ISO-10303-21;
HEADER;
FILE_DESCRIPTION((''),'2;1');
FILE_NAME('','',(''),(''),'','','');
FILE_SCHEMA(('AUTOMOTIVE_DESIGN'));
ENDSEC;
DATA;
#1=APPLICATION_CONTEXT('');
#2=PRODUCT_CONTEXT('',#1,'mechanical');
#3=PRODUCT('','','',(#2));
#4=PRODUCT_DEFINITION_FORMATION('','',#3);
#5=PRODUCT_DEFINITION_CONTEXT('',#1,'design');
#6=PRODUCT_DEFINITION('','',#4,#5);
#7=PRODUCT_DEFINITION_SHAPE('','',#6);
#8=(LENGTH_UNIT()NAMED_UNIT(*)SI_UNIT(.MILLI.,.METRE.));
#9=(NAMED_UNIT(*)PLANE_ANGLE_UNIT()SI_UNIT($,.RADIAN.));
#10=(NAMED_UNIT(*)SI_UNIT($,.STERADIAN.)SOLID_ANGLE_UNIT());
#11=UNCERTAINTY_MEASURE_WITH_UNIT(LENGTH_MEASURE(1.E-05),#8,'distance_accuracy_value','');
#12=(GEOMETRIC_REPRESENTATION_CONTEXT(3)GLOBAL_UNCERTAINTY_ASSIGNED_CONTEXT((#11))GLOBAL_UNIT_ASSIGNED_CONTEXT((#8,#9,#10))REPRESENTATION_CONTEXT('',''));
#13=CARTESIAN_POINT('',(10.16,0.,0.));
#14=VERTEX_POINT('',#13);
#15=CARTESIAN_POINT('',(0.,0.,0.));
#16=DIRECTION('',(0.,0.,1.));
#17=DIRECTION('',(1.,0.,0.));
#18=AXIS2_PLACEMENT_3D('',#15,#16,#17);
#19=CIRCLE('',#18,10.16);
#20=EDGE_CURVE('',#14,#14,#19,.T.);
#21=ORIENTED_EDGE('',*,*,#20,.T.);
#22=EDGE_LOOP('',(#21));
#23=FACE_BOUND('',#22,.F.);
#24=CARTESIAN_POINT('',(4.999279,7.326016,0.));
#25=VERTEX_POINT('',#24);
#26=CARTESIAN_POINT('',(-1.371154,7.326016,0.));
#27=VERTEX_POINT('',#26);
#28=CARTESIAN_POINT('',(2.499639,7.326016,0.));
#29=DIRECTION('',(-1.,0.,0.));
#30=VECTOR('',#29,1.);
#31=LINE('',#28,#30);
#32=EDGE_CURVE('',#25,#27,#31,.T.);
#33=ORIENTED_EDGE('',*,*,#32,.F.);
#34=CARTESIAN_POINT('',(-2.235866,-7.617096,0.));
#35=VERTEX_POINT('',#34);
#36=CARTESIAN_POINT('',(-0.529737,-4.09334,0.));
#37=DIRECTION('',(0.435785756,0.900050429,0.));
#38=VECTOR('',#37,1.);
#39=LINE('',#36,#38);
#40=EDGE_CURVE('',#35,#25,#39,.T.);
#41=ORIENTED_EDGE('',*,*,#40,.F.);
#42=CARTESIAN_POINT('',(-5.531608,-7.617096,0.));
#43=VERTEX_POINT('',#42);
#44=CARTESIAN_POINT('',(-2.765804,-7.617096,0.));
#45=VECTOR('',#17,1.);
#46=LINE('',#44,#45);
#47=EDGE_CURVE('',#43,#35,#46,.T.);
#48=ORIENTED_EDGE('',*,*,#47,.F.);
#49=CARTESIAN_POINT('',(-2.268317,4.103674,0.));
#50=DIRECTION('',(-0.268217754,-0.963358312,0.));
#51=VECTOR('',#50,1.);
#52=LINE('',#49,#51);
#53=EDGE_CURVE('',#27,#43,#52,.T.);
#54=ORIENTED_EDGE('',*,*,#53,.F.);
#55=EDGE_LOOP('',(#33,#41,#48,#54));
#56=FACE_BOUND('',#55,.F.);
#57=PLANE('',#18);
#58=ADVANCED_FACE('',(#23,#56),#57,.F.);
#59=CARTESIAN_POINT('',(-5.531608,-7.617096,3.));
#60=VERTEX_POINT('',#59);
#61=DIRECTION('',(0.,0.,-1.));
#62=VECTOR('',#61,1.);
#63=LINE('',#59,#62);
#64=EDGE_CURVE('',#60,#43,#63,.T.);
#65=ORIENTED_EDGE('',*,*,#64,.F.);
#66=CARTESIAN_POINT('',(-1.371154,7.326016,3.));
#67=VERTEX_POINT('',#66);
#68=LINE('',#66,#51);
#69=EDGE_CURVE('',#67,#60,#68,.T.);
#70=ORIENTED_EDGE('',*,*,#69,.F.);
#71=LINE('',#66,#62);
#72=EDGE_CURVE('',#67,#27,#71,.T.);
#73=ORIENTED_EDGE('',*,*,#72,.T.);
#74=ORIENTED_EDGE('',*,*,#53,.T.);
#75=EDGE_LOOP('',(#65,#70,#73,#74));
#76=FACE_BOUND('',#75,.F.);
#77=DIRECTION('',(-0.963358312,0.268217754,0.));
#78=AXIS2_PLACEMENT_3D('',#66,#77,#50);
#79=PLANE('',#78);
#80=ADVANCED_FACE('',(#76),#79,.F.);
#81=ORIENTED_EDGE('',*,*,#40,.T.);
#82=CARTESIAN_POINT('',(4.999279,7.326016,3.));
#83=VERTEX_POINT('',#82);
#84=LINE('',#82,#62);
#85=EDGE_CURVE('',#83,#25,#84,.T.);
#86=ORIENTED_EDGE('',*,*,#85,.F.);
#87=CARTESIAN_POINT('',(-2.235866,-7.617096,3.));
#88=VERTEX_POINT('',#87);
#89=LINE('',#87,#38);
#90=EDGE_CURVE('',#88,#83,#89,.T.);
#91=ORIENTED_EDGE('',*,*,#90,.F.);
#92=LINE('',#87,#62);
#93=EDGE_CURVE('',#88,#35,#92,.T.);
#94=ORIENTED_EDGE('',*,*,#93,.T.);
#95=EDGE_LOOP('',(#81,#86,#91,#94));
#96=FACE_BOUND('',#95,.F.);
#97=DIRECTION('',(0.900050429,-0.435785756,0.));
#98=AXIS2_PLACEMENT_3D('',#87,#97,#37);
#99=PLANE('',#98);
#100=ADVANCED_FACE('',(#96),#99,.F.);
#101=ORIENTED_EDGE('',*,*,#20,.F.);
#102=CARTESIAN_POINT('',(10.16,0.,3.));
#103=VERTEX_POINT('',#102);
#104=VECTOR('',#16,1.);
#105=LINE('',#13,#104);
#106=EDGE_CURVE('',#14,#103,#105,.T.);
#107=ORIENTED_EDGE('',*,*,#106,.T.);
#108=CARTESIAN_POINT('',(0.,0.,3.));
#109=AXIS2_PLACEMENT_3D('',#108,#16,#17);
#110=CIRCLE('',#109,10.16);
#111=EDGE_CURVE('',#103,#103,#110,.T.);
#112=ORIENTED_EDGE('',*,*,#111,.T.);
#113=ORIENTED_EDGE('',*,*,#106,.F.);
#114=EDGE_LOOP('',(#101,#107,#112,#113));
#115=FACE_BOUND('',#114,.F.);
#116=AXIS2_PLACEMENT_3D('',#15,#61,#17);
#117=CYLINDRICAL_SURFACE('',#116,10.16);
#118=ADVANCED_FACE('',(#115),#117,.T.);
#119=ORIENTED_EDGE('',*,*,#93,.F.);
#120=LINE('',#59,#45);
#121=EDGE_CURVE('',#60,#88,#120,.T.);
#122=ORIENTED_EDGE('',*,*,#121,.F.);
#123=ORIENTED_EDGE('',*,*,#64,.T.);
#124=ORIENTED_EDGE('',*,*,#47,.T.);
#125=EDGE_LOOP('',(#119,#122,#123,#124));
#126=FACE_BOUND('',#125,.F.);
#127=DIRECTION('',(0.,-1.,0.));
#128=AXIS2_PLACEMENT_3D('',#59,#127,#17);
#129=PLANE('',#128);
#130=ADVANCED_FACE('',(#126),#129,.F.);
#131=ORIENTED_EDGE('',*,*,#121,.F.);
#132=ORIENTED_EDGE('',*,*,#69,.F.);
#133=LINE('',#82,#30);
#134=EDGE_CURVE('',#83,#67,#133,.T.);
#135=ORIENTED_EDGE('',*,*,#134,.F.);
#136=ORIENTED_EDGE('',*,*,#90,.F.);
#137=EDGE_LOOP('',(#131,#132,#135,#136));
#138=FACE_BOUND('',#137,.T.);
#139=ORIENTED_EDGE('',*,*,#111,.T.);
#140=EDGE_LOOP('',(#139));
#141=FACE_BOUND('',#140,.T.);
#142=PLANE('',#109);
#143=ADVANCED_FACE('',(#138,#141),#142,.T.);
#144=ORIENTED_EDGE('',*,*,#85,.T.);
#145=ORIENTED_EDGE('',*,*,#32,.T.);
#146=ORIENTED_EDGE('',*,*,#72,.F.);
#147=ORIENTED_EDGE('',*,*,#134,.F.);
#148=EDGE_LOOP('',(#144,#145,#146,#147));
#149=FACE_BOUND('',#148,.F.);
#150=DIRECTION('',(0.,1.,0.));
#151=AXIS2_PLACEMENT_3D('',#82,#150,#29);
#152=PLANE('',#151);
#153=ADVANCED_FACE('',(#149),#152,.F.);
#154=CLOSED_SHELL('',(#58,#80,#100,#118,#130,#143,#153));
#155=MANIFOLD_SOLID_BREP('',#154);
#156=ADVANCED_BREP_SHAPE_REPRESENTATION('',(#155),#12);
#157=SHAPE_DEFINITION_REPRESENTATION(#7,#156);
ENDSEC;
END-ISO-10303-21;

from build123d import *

# Parameters (mm, degrees)
F0_R     = 10.16
F1_DEPTH = 3
F3_DEPTH = 25.4


with BuildPart() as f1:
    # F0 (on Top) → F1 (new body)
    with BuildSketch(Plane.XY):
        Circle(F0_R)
    extrude(amount=F1_DEPTH)

    # F2 (on face) → F3 (cut)
    with BuildSketch(Plane.XY.offset(3)):
        Polygon((-1.371154, 7.326016), (-5.531608, -7.617096), (-2.235866, -7.617096), (4.999279, 7.326016), align=None)
    extrude(amount=-F3_DEPTH, mode=Mode.SUBTRACT)


solid = f1.part
